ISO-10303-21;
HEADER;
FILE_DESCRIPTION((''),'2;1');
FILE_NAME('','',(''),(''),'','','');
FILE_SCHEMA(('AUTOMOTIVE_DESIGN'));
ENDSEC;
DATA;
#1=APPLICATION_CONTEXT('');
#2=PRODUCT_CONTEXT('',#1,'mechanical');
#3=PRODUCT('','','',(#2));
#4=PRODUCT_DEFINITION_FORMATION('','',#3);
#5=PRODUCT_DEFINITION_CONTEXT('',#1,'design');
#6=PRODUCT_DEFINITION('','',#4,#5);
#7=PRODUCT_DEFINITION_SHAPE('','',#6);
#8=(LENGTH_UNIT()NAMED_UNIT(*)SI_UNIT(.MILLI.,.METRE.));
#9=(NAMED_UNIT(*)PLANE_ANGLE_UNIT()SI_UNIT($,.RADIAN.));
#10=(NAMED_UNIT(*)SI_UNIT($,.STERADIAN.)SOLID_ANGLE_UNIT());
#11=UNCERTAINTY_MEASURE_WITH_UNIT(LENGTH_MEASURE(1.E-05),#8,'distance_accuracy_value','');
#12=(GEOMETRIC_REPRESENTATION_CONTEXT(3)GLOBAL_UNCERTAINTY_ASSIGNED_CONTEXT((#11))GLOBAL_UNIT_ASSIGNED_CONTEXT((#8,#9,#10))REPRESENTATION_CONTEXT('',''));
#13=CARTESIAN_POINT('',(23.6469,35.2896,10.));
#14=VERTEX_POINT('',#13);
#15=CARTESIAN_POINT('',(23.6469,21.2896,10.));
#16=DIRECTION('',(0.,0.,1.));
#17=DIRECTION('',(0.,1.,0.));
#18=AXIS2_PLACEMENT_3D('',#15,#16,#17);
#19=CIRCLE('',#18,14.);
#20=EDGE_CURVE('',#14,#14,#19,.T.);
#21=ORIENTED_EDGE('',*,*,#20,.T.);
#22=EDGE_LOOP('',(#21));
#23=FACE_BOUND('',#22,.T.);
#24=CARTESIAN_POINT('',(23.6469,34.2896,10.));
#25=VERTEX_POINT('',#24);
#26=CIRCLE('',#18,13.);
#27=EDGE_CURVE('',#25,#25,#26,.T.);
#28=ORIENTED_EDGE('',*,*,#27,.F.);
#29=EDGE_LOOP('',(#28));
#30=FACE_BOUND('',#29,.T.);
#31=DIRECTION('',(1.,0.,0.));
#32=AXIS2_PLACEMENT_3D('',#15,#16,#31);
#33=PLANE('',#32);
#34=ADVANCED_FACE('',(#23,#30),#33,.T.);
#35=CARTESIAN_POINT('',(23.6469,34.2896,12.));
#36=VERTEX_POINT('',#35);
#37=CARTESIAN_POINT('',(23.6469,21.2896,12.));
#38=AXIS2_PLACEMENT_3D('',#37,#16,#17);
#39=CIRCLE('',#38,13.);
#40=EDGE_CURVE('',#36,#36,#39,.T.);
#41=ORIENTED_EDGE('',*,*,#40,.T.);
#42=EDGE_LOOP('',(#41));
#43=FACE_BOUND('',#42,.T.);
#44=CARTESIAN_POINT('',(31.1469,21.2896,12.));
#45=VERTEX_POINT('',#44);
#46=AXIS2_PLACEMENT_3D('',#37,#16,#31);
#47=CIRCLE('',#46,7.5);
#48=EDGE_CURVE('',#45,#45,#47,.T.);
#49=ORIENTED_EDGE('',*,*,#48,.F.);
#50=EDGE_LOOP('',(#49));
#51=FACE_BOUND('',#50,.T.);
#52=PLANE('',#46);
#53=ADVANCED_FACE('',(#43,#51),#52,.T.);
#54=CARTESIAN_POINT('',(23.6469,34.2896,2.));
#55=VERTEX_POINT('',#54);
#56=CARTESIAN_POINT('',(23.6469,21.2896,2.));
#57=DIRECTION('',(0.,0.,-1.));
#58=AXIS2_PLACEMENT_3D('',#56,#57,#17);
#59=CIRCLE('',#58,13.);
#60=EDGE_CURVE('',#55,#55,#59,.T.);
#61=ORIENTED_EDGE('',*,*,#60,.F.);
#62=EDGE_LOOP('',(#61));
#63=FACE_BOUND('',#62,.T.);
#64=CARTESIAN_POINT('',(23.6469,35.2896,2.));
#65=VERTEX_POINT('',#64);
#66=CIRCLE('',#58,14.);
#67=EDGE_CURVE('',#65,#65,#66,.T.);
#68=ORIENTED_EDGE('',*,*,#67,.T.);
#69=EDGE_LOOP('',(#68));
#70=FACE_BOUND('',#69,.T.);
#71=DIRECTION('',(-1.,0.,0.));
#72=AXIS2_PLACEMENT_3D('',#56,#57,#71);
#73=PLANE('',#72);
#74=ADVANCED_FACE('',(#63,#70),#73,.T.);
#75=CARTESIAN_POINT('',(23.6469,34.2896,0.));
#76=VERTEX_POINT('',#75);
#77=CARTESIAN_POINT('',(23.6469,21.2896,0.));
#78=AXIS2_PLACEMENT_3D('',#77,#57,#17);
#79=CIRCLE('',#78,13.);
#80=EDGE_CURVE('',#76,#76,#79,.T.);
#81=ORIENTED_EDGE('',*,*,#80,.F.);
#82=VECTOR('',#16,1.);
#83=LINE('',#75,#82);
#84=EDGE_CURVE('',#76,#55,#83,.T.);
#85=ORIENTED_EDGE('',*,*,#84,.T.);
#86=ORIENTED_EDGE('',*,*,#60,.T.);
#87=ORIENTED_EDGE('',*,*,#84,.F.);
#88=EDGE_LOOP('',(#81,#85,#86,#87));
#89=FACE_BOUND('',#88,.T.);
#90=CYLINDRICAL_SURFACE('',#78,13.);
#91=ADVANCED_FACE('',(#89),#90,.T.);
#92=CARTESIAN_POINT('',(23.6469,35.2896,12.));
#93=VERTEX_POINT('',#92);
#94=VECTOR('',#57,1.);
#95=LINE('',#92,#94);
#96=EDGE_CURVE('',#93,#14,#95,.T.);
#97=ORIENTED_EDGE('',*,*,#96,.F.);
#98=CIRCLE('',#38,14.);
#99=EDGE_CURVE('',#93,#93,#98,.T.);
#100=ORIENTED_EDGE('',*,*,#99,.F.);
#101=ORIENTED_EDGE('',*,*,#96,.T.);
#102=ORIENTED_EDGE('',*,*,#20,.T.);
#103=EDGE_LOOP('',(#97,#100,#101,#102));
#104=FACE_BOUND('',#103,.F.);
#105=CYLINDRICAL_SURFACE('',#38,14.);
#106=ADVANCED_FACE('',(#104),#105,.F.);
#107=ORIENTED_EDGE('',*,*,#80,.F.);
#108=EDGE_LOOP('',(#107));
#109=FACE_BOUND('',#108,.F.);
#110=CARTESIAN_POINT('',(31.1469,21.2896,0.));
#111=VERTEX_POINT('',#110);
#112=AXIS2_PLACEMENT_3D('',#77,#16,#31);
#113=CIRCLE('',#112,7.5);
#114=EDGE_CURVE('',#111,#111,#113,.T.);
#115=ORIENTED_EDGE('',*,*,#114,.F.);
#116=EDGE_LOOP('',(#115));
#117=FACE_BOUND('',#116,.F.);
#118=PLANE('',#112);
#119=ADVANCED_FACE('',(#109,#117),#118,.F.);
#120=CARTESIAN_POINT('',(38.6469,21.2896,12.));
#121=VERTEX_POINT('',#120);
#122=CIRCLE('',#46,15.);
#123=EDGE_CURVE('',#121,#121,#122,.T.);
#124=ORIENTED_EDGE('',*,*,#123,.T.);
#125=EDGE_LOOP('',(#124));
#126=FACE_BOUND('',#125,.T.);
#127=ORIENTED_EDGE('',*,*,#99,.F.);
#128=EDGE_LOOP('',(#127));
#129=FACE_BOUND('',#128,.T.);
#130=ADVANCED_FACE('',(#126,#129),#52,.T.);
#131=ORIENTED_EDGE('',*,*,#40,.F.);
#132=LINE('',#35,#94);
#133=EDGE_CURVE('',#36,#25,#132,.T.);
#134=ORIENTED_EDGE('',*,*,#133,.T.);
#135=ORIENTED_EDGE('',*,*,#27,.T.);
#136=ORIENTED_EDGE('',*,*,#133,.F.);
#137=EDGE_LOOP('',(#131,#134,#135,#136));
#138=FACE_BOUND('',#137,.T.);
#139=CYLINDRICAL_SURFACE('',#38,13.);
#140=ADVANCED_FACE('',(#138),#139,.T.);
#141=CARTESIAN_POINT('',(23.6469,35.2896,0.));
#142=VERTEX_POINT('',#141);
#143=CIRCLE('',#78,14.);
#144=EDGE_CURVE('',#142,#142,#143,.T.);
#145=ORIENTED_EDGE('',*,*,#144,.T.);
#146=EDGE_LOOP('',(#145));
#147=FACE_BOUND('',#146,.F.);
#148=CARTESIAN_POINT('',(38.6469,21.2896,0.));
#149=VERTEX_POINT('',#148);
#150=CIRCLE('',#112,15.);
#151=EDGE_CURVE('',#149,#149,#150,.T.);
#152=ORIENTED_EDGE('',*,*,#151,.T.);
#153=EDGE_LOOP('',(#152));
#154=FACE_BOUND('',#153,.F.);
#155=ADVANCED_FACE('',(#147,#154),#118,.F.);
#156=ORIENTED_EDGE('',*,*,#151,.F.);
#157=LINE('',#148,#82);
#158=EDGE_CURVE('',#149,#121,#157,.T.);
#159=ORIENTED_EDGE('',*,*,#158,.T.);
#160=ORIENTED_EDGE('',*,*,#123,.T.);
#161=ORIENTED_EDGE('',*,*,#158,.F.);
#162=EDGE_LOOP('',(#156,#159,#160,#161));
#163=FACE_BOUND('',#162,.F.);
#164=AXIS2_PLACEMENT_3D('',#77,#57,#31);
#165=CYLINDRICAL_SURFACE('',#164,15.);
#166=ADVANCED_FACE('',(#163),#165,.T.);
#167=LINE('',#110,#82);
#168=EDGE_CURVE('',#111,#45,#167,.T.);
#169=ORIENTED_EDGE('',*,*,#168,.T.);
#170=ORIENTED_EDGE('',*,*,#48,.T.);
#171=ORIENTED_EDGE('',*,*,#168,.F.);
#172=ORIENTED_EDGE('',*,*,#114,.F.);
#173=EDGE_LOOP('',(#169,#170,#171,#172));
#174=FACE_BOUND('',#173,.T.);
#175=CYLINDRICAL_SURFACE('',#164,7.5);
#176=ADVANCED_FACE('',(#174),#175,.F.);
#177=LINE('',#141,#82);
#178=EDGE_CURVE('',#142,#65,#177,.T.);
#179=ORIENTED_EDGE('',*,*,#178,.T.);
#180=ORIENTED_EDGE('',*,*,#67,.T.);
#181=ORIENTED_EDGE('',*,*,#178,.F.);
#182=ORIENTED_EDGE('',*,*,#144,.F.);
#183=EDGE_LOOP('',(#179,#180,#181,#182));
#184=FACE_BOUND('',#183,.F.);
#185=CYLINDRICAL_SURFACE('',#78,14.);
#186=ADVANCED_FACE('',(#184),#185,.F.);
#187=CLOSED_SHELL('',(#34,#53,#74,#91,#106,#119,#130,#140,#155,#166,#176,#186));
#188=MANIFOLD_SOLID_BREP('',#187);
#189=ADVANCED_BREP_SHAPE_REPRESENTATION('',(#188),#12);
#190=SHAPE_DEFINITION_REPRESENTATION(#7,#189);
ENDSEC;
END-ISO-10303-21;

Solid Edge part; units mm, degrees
sketch "Sketch1" plane through (0, 0, 0) normal (0, 0, 1) x (1, 0, 0)
  circle A0 centre (23.6469, 21.2896) radius 15
  circle A1 centre (23.6469, 21.2896) radius 7.5
extrude "ExtrudedProtrusion_1" add sketch "Sketch1" along normal blind 12
sketch "Sketch2" plane through (23.6469, 21.2896, 12) normal (0, 0, 1) x (0, 1, 0)
  circle A0 centre (0, 0) radius 14
  circle A1 centre (0, 0) radius 13
extrude "ExtrudedCutout_1" cut sketch "Sketch2" against normal blind 2
sketch "Sketch3" plane through (23.6469, 21.2896, 0) normal (0, 0, -1) x (0, 1, 0)
  circle A0 centre (0, 0) radius 14
  circle A1 centre (0, 0) radius 13
extrude "ExtrudedCutout_2" cut sketch "Sketch3" against normal blind 2
